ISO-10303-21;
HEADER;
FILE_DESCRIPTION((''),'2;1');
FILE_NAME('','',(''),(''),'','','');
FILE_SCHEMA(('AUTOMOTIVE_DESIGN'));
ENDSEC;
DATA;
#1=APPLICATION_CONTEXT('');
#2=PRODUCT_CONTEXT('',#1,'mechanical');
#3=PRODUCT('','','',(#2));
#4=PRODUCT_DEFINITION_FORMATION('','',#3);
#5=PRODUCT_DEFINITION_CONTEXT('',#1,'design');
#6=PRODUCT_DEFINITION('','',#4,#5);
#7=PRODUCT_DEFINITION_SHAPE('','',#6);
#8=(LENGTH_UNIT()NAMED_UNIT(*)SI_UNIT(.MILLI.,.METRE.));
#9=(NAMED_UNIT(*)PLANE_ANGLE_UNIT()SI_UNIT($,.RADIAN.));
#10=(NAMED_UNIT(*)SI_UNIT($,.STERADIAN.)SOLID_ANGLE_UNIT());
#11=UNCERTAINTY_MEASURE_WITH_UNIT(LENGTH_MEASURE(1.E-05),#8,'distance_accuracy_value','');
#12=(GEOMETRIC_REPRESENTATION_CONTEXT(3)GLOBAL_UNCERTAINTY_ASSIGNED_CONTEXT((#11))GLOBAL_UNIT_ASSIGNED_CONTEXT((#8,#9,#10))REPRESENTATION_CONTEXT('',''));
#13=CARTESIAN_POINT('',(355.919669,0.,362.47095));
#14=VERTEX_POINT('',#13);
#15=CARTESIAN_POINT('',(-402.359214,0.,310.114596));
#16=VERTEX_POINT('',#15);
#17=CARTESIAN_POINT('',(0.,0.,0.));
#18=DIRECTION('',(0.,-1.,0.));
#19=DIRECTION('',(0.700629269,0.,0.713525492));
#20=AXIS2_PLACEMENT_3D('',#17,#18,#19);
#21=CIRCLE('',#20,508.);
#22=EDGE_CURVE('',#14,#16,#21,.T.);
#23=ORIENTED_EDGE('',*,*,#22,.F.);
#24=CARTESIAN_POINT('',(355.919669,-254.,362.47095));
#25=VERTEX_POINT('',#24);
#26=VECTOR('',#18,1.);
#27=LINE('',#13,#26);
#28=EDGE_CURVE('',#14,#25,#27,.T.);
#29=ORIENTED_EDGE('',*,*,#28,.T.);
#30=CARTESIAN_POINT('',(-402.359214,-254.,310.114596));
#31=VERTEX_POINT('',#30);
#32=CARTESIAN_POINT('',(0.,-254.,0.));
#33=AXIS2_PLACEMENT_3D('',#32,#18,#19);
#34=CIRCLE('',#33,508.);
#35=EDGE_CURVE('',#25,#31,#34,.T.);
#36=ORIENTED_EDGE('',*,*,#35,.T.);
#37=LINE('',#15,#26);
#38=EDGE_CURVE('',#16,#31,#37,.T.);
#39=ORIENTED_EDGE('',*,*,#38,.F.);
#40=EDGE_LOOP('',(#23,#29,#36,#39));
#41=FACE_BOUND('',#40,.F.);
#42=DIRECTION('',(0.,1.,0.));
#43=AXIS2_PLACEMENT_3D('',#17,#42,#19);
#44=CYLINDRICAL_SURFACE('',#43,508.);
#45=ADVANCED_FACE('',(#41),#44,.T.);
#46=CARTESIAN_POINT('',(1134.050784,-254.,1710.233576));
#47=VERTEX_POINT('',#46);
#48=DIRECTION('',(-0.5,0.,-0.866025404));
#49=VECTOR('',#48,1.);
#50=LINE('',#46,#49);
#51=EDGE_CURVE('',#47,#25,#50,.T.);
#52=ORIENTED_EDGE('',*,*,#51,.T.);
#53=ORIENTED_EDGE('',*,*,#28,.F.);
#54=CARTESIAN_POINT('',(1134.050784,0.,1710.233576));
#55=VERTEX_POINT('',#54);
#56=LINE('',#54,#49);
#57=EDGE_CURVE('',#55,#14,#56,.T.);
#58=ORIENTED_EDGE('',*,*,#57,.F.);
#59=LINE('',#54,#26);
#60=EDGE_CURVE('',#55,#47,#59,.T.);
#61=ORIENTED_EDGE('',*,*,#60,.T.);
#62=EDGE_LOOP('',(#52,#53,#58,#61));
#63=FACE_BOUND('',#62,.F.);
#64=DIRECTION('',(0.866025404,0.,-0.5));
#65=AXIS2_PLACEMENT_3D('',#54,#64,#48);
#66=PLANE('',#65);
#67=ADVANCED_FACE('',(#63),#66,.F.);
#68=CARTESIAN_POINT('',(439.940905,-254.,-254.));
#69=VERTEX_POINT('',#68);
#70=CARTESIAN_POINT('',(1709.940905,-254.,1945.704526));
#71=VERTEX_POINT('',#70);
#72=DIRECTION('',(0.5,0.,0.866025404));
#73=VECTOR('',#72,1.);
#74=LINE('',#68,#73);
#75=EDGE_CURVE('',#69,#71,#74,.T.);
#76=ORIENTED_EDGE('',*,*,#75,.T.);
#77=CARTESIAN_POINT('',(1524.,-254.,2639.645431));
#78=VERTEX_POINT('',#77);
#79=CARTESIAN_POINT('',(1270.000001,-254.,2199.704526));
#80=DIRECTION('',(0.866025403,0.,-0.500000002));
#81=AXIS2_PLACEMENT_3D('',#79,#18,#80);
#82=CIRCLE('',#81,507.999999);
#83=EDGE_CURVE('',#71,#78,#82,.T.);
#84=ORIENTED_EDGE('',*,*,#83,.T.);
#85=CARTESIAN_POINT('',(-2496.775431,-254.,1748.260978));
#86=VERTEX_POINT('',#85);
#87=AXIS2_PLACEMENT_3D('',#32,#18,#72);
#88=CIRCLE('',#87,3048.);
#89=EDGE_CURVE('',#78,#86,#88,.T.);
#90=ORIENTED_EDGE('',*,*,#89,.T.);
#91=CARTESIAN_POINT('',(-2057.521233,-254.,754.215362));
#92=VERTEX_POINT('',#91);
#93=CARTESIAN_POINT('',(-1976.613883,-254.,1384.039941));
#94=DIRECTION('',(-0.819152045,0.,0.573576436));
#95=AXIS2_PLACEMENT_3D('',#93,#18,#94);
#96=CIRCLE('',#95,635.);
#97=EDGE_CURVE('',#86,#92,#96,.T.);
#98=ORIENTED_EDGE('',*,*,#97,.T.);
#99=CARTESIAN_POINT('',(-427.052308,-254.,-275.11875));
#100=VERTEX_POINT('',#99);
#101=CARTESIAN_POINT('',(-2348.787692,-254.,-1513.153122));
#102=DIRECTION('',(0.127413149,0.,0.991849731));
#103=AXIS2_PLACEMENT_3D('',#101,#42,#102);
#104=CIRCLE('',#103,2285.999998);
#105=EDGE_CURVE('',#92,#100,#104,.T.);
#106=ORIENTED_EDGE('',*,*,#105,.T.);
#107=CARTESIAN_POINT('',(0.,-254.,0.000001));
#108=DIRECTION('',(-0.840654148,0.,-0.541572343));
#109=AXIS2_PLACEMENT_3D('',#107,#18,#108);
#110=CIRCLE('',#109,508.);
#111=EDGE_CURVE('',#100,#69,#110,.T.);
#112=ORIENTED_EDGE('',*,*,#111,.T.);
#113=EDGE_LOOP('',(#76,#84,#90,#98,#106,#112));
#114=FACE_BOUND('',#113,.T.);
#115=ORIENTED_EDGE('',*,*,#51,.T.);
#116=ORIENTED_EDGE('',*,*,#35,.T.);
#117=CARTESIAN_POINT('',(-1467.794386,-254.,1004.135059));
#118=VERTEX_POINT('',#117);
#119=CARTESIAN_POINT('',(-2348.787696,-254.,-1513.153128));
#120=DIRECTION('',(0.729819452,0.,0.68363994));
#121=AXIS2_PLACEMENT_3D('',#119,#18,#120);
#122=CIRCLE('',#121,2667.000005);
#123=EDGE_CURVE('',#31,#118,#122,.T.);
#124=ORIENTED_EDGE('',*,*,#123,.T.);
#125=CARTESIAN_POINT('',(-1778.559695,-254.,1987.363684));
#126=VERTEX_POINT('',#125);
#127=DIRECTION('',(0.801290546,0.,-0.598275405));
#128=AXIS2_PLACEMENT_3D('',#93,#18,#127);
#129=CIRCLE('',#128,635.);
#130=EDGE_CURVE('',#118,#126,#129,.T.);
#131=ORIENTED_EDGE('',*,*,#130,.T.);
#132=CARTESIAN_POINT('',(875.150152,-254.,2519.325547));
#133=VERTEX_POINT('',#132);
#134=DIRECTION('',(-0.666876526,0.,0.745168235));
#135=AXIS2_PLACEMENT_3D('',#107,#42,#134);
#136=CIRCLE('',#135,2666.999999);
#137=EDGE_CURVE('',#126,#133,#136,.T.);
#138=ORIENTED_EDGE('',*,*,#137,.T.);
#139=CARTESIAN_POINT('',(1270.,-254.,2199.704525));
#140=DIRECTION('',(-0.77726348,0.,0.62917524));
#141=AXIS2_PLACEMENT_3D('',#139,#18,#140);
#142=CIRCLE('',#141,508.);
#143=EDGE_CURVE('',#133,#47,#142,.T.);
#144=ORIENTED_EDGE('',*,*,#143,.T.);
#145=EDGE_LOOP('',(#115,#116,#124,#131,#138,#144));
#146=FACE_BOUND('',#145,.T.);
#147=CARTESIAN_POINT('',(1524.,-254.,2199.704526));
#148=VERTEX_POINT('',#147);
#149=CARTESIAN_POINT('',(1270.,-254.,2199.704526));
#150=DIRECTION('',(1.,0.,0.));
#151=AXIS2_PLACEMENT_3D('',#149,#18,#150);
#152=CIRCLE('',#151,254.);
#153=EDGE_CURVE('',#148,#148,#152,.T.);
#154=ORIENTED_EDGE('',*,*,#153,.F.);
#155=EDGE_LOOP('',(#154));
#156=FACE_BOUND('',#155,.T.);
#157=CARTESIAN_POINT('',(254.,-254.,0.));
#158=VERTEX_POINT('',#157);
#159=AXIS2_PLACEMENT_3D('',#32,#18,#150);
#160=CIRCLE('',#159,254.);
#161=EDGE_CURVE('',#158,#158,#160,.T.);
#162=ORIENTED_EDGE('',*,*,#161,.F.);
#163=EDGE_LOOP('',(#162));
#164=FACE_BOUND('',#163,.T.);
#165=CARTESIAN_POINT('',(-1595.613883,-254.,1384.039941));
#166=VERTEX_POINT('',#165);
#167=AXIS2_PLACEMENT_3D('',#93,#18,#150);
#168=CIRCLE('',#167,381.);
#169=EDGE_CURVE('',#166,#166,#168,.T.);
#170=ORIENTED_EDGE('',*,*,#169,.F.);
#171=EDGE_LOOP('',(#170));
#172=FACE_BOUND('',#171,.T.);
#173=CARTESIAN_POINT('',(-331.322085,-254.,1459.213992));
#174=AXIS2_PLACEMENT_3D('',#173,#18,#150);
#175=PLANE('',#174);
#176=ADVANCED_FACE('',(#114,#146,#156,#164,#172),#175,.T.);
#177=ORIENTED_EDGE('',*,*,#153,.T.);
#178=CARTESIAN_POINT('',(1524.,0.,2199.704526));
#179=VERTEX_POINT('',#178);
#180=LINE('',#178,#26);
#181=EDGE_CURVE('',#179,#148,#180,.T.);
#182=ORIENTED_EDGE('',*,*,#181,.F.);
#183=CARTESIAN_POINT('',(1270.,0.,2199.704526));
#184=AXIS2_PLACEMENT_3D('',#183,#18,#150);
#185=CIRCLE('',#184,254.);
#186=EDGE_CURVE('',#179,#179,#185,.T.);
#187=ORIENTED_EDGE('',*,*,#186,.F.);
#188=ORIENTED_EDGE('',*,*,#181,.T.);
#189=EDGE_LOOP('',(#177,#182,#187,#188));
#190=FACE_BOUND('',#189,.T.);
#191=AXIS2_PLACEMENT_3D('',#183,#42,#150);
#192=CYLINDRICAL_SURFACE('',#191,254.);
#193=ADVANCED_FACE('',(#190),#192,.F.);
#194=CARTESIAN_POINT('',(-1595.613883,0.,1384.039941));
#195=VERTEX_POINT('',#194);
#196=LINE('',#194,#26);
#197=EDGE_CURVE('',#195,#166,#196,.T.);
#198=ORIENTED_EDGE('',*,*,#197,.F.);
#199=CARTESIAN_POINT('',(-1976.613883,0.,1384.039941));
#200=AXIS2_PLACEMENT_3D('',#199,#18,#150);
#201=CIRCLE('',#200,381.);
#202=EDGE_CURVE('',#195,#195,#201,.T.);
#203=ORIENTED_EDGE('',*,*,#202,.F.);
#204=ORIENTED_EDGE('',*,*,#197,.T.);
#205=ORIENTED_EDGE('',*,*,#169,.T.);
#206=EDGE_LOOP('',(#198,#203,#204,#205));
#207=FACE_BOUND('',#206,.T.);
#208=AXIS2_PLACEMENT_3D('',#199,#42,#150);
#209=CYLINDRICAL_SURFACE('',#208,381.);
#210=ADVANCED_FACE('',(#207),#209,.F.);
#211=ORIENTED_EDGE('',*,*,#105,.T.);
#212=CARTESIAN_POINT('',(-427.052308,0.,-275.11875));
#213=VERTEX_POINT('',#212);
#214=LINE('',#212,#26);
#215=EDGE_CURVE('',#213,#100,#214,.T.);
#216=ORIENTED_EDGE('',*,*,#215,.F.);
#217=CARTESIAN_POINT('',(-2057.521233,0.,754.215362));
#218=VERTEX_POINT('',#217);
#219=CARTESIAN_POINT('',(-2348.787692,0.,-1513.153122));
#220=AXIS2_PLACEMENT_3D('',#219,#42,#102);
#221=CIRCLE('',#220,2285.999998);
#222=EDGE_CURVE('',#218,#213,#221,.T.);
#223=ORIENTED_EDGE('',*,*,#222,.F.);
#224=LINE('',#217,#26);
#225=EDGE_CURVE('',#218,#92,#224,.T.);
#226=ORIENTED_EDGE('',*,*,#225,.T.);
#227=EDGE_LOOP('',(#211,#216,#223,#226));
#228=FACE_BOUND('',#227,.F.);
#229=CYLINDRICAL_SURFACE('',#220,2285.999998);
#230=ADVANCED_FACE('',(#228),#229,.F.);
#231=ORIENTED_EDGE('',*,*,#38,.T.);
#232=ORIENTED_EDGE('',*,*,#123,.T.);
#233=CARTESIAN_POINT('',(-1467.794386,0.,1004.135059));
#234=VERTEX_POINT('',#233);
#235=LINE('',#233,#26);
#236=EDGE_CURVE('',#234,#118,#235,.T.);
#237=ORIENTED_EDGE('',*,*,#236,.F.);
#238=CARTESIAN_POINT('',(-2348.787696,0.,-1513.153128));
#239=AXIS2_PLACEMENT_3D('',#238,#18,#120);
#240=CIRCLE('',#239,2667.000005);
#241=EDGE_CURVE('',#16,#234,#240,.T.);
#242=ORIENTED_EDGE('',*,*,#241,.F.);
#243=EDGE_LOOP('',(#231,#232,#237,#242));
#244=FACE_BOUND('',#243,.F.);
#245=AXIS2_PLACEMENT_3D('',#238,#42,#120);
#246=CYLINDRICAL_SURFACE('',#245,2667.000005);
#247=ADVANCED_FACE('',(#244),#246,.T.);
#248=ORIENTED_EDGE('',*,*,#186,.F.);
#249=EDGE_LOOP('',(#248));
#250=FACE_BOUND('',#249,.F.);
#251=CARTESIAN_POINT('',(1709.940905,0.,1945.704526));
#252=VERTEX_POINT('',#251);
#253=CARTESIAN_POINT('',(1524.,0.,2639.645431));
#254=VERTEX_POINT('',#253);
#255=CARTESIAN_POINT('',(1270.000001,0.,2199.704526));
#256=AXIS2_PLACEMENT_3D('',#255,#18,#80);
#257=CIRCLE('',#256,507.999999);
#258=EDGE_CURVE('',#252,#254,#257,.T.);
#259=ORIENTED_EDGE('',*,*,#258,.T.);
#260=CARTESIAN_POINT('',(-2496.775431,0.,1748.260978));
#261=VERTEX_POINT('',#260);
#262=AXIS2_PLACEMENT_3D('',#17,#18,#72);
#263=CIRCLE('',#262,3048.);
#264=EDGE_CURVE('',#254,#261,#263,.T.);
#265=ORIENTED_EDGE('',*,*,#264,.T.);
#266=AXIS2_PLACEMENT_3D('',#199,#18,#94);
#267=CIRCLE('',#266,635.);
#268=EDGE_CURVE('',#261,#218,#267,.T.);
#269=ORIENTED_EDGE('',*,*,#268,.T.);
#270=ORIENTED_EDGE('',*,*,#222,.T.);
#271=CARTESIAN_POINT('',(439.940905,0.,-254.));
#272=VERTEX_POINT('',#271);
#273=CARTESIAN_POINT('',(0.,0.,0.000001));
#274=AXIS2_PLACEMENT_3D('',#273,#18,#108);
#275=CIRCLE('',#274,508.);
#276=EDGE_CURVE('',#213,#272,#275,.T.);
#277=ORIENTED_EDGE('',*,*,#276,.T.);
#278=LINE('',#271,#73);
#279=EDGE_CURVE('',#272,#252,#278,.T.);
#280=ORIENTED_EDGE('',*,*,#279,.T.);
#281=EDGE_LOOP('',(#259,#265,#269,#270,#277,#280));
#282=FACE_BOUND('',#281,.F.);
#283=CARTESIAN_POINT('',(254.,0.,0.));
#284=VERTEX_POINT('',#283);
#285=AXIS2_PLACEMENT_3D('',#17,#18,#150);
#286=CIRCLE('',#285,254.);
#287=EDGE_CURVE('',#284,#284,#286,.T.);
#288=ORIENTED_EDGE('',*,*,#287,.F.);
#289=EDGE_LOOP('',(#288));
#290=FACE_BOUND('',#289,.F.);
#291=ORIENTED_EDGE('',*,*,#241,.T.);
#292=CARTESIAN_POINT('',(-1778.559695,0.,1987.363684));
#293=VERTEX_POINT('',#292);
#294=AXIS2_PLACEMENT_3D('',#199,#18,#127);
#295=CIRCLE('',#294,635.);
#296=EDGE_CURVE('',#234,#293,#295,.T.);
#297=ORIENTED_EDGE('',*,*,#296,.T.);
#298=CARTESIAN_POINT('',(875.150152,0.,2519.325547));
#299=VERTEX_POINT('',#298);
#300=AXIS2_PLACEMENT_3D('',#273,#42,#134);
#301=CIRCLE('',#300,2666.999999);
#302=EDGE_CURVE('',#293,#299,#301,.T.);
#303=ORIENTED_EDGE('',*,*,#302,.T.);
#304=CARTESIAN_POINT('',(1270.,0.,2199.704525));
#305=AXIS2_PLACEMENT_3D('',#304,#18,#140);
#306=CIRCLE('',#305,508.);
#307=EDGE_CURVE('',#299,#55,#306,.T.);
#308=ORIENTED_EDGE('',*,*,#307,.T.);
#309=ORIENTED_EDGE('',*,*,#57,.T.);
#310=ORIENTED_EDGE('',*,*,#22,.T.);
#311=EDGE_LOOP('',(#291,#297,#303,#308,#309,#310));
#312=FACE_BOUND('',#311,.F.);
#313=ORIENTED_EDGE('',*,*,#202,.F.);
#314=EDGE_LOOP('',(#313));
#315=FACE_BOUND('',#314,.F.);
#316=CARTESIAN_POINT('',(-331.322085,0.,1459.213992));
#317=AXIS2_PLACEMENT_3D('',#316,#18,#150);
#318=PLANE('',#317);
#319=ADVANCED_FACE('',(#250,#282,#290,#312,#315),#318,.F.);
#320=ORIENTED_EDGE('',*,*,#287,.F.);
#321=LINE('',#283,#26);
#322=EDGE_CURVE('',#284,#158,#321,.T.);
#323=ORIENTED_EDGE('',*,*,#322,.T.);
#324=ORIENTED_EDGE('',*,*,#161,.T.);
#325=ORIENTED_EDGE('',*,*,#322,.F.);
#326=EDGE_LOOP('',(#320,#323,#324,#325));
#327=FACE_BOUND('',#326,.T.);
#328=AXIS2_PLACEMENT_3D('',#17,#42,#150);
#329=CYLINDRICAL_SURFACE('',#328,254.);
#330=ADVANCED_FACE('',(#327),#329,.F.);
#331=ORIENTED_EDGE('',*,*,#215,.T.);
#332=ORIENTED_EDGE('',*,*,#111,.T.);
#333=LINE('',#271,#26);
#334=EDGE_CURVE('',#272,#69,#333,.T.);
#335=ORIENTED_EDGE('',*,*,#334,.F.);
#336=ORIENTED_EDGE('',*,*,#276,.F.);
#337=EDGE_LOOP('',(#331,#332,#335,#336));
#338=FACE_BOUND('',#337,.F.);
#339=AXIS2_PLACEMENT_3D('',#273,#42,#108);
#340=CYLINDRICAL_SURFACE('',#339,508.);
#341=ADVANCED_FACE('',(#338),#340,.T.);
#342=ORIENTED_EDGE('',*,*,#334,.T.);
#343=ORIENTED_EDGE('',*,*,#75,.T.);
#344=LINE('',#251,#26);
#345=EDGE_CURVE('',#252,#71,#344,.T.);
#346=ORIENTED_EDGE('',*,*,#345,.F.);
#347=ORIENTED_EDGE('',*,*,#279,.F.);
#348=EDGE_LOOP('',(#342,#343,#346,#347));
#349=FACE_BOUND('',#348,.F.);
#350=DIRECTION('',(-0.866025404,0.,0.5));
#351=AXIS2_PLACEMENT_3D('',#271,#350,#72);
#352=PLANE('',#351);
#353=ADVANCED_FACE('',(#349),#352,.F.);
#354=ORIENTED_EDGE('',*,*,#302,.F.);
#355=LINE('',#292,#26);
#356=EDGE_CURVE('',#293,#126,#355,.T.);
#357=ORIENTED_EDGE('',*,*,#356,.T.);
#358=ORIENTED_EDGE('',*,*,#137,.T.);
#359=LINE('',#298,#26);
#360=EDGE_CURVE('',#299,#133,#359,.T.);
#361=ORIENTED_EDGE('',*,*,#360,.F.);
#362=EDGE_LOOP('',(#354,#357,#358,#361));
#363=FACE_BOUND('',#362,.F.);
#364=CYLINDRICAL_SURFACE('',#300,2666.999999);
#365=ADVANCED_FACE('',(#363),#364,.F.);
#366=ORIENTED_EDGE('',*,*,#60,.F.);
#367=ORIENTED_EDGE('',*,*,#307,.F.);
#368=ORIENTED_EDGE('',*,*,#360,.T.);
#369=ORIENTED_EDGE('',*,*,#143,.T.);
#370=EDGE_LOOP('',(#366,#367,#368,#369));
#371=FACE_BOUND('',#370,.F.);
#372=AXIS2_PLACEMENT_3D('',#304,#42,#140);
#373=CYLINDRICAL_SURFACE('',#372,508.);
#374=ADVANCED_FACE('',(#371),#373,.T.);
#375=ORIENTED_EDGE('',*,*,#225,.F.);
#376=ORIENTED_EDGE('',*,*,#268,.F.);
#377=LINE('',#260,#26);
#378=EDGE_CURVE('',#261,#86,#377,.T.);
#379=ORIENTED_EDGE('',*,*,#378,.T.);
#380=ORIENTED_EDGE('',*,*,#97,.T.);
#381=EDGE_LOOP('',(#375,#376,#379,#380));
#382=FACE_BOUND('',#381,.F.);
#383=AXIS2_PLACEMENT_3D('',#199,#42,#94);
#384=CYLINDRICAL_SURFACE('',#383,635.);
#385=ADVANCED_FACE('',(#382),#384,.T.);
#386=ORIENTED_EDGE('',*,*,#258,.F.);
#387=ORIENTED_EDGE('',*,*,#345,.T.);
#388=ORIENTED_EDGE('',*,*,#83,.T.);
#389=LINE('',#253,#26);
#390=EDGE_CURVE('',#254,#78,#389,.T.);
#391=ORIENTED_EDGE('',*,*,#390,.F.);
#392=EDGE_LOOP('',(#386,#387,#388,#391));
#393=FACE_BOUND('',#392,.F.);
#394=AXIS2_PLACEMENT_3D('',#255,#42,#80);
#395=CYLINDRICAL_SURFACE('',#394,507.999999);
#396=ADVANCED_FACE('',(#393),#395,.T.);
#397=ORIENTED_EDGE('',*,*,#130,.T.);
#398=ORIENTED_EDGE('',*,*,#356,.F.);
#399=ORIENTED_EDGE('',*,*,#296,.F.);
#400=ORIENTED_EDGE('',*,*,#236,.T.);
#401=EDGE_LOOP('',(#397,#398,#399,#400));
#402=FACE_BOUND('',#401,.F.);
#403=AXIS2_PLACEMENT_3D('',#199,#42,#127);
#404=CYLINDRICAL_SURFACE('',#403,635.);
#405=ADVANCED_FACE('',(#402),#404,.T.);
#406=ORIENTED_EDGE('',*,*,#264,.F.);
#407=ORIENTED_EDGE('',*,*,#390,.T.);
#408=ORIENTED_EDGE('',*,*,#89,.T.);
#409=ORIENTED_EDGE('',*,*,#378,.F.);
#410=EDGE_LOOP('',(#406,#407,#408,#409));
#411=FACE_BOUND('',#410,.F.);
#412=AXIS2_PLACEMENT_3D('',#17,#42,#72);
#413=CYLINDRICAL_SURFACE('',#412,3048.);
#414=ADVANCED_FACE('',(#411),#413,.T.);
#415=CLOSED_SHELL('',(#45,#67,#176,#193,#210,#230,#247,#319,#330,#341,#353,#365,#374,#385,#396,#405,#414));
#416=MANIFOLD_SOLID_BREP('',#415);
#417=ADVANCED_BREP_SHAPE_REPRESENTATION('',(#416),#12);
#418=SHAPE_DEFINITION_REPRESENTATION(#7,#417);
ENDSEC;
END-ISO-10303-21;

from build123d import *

# Parameters (mm, degrees)
F0_R     = 254
F0_R_2   = 381
F1_DEPTH = 254


with BuildPart() as f1:
    # F0 (on Front) → F1 (new body)
    with BuildSketch(Plane.XZ):
        with BuildLine():
            ThreePointArc((1709.940905, 1945.704526), (1760.69032, 2331.184601), (1524, 2639.645431))
            ThreePointArc((1524, 2639.645431), (-659.707943, 2975.75023), (-2496.775431, 1748.260978))
            ThreePointArc((-2496.775431, 1748.260978), (-2557.434532, 1127.383803), (-2057.521233, 754.215362))
            ThreePointArc((-2057.521233, 754.215362), (-1128.449023, 419.867707), (-427.052308, -275.11875))
            ThreePointArc((-427.052308, -275.11875), (12.370505, -507.849358), (439.940905, -254))
            Line((439.940905, -254), (1709.940905, 1945.704526))
        make_face()
        Circle(F0_R, mode=Mode.SUBTRACT)
        with Locations((-1976.613883, 1384.039941)):
            Circle(F0_R_2, mode=Mode.SUBTRACT)
        with BuildLine():
            Line((1134.050784, 1710.233576), (355.919669, 362.47095))
            ThreePointArc((355.919669, 362.47095), (-34.99221, 506.793395), (-402.359214, 310.114596))
            ThreePointArc((-402.359214, 310.114596), (-893.111016, 721.549186), (-1467.794386, 1004.135059))
            ThreePointArc((-1467.794386, 1004.135059), (-1371.137018, 1575.410697), (-1778.559695, 1987.363684))
            ThreePointArc((-1778.559695, 1987.363684), (-524.197536, 2614.977236), (875.150152, 2519.325547))
            ThreePointArc((875.150152, 2519.325547), (786.167006, 2044.883229), (1134.050784, 1710.233576))
        make_face(mode=Mode.SUBTRACT)
        with Locations((1270, 2199.704526)):
            Circle(F0_R, mode=Mode.SUBTRACT)
    extrude(amount=F1_DEPTH)


solid = f1.part
